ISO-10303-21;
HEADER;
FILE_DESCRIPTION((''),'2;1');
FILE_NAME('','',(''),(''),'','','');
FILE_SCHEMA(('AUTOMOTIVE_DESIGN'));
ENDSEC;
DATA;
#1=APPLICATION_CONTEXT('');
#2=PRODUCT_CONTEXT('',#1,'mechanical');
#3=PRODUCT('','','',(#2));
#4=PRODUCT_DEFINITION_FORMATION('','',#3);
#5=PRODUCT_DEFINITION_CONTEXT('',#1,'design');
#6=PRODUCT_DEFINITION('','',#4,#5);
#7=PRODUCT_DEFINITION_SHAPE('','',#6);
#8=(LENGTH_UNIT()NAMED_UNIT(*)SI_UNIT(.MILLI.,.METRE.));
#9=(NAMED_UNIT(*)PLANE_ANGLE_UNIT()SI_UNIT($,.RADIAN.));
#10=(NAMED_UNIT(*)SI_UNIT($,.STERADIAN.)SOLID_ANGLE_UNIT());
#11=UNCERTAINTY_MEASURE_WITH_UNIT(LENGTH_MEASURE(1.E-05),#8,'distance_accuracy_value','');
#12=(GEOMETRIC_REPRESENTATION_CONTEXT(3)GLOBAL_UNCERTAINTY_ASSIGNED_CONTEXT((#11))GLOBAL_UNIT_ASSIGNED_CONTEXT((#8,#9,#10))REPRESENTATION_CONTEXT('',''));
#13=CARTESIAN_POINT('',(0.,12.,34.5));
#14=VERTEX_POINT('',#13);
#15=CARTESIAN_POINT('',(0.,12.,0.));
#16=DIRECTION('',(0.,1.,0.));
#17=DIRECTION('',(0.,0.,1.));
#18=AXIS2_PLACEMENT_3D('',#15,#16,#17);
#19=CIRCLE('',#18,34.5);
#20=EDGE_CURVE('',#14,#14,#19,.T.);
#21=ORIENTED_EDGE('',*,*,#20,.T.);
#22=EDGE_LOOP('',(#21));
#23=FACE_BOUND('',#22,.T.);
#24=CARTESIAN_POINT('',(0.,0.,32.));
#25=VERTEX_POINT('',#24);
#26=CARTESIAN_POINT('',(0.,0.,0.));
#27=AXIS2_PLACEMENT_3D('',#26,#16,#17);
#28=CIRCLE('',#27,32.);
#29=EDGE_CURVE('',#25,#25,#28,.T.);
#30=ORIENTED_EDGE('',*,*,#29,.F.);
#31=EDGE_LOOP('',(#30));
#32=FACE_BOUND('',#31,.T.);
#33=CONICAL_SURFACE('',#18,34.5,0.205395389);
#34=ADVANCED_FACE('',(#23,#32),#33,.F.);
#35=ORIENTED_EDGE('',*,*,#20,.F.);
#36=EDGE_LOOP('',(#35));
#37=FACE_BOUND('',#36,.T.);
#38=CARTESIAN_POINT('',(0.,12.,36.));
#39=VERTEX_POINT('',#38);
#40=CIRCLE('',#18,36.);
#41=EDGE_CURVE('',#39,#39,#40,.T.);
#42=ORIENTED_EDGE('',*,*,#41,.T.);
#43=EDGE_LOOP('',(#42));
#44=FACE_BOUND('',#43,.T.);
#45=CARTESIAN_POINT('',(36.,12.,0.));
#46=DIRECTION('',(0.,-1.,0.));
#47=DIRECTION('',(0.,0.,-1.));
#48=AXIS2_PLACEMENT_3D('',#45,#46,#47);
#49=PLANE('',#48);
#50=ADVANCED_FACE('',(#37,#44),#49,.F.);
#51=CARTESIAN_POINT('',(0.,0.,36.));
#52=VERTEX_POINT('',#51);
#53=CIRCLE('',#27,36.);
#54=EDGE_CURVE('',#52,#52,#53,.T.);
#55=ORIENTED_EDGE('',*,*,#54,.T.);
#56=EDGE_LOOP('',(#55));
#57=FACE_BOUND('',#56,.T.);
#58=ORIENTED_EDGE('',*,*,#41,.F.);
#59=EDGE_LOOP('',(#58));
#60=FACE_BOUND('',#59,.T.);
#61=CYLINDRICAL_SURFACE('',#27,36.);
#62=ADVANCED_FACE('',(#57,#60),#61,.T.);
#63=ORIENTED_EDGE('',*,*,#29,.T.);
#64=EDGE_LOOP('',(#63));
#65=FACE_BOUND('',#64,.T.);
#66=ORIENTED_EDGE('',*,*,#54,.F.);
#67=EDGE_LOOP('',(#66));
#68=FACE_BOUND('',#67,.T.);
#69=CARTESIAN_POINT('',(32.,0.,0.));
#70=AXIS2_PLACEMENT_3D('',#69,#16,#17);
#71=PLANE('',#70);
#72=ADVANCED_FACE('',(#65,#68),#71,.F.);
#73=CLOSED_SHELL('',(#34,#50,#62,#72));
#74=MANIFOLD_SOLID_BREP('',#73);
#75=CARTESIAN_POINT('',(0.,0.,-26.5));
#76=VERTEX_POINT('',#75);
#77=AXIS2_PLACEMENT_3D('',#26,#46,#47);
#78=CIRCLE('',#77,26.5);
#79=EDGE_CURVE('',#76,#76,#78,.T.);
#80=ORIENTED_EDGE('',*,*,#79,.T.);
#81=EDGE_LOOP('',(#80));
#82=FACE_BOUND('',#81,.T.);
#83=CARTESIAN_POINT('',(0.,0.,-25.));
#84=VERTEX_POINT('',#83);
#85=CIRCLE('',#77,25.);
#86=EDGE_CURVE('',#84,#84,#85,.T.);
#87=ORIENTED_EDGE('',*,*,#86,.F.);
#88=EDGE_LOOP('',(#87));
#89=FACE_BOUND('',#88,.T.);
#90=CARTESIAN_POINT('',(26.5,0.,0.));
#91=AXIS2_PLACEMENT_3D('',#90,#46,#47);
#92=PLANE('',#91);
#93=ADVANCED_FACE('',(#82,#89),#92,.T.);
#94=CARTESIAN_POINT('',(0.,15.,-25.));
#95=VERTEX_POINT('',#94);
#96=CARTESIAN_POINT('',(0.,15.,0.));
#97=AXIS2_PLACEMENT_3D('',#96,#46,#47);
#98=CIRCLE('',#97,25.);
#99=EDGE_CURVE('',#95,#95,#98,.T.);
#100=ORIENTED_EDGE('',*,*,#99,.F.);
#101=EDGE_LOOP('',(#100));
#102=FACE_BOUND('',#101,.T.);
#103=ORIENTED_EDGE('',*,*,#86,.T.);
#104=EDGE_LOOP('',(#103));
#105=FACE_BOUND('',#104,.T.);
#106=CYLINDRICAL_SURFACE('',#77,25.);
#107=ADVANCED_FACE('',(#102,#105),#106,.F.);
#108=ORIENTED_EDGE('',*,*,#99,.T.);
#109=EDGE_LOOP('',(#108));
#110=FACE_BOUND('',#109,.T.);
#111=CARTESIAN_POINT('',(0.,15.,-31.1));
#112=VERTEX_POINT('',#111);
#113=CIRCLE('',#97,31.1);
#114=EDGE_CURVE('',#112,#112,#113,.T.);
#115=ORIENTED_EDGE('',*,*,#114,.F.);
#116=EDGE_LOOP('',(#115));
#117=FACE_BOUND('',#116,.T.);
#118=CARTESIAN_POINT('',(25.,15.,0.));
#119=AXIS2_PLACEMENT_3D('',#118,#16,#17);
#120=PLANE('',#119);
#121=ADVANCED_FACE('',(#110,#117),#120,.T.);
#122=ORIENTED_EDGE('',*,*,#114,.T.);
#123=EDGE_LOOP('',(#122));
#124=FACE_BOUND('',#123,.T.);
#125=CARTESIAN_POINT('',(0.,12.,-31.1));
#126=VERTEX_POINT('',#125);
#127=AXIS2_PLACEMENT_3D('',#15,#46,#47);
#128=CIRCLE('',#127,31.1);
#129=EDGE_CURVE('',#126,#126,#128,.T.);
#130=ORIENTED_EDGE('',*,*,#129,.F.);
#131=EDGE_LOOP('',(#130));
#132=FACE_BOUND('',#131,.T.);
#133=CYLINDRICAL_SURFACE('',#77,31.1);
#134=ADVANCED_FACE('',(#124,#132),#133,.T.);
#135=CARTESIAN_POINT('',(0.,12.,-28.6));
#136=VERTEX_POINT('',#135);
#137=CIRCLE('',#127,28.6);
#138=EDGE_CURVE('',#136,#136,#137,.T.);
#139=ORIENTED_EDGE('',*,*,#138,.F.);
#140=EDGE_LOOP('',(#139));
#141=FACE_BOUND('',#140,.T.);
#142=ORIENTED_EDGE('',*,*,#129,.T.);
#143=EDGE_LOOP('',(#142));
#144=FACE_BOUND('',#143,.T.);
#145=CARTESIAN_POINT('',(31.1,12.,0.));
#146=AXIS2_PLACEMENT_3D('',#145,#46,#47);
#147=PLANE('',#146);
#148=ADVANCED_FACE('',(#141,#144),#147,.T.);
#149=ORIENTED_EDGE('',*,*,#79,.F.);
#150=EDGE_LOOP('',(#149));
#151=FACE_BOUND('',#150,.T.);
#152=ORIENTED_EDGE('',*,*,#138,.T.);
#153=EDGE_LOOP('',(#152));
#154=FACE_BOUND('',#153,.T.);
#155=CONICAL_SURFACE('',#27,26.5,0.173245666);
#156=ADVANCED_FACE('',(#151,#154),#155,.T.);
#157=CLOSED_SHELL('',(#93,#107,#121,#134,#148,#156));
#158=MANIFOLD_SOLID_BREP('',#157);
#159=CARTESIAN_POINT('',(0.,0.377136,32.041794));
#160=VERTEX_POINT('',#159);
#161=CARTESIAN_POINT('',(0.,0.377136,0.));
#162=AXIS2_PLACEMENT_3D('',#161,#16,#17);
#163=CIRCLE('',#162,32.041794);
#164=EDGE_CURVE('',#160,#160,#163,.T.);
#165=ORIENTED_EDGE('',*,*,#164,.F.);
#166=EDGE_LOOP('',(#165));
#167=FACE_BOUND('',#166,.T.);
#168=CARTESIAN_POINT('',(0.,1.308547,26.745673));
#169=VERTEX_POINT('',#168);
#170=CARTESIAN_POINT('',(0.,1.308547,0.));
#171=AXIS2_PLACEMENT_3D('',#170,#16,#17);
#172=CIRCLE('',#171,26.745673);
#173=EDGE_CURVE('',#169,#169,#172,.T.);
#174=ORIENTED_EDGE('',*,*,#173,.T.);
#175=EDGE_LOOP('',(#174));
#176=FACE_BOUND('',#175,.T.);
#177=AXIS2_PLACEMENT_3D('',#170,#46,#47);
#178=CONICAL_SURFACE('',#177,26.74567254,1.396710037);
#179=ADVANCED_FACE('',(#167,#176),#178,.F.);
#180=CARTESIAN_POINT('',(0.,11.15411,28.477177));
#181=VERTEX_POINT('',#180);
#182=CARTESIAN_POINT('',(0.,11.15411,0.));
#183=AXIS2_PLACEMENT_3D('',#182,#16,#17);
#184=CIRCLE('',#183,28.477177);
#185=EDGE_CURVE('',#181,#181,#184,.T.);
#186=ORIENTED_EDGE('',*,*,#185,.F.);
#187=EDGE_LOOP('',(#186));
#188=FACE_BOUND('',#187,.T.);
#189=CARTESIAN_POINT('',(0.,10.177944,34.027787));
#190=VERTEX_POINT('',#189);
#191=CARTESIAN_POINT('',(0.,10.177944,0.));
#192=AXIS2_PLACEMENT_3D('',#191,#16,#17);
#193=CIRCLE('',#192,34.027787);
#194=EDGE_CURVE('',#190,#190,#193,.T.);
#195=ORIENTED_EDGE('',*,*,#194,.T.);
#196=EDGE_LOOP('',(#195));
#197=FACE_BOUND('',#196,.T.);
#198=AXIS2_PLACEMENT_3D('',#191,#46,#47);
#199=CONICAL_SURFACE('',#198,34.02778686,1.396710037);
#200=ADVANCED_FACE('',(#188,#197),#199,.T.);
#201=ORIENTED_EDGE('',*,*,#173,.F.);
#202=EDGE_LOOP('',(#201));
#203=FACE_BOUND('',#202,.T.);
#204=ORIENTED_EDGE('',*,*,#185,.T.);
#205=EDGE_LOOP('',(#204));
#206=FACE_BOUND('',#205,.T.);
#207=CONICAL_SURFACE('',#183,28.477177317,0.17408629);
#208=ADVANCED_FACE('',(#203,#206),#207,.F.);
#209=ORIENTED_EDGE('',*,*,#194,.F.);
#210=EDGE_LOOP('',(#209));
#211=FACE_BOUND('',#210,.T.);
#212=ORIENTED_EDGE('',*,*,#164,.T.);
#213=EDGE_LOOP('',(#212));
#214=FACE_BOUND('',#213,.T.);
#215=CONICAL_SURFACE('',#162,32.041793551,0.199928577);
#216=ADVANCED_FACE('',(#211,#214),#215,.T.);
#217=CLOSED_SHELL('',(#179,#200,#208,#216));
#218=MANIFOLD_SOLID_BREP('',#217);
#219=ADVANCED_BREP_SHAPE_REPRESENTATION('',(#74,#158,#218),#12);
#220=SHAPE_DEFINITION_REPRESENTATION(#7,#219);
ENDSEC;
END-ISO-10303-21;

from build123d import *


with BuildPart() as part:
    # Skizze1 → Rotation1 (revolve)
    with BuildSketch(Plane.XY, mode=Mode.PRIVATE) as rotation1_sk:
        Polygon((32, 0), (36, 0), (36, 12), (34.5, 12), align=None)
    revolve(rotation1_sk.sketch.rotate(Axis((0, 0, 0), (0, -1, 0)), 90), axis=Axis((0, 0, 0), (0, -1, 0)))


with BuildPart() as body_2:
    # Skizze4 → Rotation2 (revolve)
    with BuildSketch(Plane.XY, mode=Mode.PRIVATE) as rotation2_sk:
        Polygon((26.5, 0), (25, 0), (25, 15), (31.1, 15), (31.1, 12), (28.6, 12), align=None)
    revolve(rotation2_sk.sketch.rotate(Axis((0, 0, 0), (0, 1, 0)), 90), axis=Axis((0, 0, 0), (0, 1, 0)))


with BuildPart() as body_3:
    # Skizze5 → Rotation3 (revolve)
    with BuildSketch(Plane.XY, mode=Mode.PRIVATE) as rotation3_sk:
        Polygon((32.041793551, 0.377136413), (26.74567254, 1.308546655), (28.477177317, 11.154110311), (34.02778686, 10.177944062), align=None)
    revolve(rotation3_sk.sketch.rotate(Axis((0, 0, 0), (0, -1, 0)), 90), axis=Axis((0, 0, 0), (0, -1, 0)))


solid = Compound([part.part, body_2.part, body_3.part])
